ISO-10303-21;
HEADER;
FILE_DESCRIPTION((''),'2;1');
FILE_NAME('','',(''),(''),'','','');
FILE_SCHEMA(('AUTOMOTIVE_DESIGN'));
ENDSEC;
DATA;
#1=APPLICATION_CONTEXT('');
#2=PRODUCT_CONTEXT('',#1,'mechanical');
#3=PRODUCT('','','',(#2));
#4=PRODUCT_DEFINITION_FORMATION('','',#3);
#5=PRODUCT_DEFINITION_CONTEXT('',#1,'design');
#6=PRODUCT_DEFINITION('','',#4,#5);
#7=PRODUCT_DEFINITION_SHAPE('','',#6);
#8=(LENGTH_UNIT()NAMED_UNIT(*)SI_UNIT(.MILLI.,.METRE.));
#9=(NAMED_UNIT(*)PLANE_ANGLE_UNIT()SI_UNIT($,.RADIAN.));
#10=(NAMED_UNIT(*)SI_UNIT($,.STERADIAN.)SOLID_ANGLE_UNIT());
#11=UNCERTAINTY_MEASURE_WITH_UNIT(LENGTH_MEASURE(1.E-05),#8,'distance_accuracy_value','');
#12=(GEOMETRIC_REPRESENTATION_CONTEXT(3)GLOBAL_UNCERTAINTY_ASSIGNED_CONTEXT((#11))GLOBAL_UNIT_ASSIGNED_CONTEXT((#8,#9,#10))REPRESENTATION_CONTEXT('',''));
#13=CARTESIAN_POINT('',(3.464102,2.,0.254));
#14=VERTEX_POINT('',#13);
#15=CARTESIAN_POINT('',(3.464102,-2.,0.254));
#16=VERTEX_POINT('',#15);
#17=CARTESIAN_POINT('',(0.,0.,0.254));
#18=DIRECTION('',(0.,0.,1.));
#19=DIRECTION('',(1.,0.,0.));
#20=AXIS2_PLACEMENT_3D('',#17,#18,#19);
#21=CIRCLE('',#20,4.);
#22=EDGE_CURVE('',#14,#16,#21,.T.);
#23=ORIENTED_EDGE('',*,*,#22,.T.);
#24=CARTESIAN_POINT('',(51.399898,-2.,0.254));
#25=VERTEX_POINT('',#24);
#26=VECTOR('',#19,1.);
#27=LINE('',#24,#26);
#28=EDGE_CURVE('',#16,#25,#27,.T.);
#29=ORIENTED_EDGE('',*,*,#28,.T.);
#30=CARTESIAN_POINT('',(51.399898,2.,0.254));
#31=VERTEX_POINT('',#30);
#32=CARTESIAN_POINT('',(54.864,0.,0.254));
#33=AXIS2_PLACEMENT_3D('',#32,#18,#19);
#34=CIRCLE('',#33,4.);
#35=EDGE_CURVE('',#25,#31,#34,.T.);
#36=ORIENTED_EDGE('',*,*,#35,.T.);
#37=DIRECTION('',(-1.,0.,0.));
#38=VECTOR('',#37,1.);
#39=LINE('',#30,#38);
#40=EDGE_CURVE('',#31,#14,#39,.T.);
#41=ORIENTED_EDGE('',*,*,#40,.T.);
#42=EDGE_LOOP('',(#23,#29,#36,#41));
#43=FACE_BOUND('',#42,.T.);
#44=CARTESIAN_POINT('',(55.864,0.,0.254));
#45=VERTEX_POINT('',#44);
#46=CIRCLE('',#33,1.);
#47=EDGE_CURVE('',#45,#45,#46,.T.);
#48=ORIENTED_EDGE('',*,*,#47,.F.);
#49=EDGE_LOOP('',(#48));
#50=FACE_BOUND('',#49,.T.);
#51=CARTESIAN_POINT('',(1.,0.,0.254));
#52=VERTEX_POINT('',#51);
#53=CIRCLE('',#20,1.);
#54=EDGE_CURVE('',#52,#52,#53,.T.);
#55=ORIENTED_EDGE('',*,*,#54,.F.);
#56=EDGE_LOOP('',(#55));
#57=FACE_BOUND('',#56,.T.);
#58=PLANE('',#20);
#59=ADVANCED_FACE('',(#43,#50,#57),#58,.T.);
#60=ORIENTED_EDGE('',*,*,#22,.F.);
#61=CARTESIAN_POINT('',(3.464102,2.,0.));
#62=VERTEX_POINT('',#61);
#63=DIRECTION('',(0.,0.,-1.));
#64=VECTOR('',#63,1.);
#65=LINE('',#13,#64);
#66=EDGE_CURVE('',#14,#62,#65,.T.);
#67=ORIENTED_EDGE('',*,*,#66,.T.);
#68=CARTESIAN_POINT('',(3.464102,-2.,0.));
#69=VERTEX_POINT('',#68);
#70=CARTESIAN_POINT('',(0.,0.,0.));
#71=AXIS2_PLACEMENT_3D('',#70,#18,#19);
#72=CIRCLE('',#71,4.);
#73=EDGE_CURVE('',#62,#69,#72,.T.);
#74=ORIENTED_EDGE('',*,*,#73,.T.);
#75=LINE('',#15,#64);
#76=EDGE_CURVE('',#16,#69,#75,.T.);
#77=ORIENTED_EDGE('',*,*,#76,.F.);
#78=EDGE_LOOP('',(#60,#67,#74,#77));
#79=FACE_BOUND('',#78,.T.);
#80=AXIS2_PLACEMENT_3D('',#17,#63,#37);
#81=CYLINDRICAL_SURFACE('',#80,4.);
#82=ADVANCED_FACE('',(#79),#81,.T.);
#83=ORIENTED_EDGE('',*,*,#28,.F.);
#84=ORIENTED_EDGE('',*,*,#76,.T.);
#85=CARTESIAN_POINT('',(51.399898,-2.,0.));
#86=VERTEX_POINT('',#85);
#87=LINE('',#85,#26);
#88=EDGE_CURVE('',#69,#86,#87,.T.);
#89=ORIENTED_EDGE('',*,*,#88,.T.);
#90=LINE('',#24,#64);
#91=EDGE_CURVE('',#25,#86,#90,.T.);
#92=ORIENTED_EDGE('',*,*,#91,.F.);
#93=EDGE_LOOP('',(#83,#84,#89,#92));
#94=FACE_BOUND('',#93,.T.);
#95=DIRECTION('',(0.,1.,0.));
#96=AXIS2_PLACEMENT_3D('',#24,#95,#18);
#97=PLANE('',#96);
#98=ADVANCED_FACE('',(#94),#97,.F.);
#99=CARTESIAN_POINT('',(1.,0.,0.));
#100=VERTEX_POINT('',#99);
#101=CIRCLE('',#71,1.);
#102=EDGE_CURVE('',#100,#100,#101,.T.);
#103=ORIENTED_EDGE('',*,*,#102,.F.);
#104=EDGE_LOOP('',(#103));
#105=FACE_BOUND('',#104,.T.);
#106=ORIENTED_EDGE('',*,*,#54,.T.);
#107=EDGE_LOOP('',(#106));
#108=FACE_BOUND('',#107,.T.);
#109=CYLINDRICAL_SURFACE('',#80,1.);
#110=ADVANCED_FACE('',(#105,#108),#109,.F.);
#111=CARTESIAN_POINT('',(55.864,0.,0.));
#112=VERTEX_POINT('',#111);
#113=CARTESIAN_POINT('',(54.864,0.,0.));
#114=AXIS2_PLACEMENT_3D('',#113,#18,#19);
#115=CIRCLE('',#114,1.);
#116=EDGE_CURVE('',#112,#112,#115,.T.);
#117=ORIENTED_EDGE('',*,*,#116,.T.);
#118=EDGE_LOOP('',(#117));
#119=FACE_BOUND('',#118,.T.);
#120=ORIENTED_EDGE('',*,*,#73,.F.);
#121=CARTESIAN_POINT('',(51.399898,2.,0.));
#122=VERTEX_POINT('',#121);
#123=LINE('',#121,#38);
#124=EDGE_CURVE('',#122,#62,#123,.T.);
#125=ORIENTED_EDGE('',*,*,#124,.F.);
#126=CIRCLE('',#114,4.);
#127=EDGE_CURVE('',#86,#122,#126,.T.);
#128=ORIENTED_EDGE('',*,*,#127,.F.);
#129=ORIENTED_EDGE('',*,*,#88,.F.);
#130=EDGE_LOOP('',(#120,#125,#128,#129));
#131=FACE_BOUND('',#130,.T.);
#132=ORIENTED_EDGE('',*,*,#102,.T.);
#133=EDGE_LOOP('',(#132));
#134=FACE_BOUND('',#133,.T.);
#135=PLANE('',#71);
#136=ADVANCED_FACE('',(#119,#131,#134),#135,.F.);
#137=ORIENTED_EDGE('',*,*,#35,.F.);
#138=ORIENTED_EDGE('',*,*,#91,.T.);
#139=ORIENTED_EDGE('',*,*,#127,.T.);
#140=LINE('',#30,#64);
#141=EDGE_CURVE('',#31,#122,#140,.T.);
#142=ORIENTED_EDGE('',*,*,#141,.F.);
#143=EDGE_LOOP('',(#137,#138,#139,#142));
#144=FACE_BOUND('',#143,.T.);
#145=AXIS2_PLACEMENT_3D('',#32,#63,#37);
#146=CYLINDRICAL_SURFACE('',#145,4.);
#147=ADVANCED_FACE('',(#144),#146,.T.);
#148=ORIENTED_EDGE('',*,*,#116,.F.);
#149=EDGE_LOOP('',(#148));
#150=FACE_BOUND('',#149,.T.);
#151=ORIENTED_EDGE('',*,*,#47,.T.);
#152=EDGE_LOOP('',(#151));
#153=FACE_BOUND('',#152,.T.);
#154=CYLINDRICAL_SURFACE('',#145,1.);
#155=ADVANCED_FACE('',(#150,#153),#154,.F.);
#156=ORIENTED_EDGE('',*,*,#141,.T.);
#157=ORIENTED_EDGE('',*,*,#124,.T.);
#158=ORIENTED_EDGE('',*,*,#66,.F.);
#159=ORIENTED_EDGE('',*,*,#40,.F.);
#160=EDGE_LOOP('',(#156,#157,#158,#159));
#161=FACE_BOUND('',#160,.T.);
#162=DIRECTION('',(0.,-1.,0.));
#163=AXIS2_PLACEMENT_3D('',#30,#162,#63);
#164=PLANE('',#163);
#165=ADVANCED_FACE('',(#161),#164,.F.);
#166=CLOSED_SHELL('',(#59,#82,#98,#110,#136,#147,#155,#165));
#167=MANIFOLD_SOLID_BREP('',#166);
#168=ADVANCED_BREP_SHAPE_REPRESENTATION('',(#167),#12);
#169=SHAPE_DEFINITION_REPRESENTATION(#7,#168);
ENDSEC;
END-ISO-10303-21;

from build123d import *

# Parameters (mm, degrees)
SKETCH1_R           = 1
BOSS_EXTRUDE1_DEPTH = 0.254
CUT_EXTRUDE1_DEPTH  = 1.254


with BuildPart() as part:
    # Sketch1 → Boss-Extrude1 (new body)
    with BuildSketch(Plane.XY):
        with BuildLine():
            Line((0, 4), (54.864, 4))
            ThreePointArc((54.864, 4), (58.864, 0), (54.864, -4))
            Line((54.864, -4), (0, -4))
            ThreePointArc((0, -4), (-4, 0), (0, 4))
        make_face()
        Circle(SKETCH1_R, mode=Mode.SUBTRACT)
        with Locations((54.864, 0)):
            Circle(SKETCH1_R, mode=Mode.SUBTRACT)
    extrude(amount=BOSS_EXTRUDE1_DEPTH)

    # Sketch2 → Cut-Extrude1 (cut, through all)
    with BuildSketch(Plane(origin=(0, 0, 0), x_dir=(-1, 0, 0), z_dir=(0, 0, -1))):
        with BuildLine():
            Line((-51.399898385, 2), (-3.464101615, 2))
            ThreePointArc((-3.464101615, 2), (-2, 3.464101615), (0, 4))
            Line((0, 4), (-54.864, 4))
            ThreePointArc((-54.864, 4), (-52.864, 3.464101615), (-51.399898385, 2))
        make_face()
        with BuildLine():
            Line((-51.399898385, -2), (-3.464101615, -2))
            ThreePointArc((-3.464101615, -2), (-2, -3.464101615), (0, -4))
            Line((0, -4), (-54.864, -4))
            ThreePointArc((-54.864, -4), (-52.864, -3.464101615), (-51.399898385, -2))
        make_face()
    extrude(amount=-CUT_EXTRUDE1_DEPTH, mode=Mode.SUBTRACT)


solid = part.part
